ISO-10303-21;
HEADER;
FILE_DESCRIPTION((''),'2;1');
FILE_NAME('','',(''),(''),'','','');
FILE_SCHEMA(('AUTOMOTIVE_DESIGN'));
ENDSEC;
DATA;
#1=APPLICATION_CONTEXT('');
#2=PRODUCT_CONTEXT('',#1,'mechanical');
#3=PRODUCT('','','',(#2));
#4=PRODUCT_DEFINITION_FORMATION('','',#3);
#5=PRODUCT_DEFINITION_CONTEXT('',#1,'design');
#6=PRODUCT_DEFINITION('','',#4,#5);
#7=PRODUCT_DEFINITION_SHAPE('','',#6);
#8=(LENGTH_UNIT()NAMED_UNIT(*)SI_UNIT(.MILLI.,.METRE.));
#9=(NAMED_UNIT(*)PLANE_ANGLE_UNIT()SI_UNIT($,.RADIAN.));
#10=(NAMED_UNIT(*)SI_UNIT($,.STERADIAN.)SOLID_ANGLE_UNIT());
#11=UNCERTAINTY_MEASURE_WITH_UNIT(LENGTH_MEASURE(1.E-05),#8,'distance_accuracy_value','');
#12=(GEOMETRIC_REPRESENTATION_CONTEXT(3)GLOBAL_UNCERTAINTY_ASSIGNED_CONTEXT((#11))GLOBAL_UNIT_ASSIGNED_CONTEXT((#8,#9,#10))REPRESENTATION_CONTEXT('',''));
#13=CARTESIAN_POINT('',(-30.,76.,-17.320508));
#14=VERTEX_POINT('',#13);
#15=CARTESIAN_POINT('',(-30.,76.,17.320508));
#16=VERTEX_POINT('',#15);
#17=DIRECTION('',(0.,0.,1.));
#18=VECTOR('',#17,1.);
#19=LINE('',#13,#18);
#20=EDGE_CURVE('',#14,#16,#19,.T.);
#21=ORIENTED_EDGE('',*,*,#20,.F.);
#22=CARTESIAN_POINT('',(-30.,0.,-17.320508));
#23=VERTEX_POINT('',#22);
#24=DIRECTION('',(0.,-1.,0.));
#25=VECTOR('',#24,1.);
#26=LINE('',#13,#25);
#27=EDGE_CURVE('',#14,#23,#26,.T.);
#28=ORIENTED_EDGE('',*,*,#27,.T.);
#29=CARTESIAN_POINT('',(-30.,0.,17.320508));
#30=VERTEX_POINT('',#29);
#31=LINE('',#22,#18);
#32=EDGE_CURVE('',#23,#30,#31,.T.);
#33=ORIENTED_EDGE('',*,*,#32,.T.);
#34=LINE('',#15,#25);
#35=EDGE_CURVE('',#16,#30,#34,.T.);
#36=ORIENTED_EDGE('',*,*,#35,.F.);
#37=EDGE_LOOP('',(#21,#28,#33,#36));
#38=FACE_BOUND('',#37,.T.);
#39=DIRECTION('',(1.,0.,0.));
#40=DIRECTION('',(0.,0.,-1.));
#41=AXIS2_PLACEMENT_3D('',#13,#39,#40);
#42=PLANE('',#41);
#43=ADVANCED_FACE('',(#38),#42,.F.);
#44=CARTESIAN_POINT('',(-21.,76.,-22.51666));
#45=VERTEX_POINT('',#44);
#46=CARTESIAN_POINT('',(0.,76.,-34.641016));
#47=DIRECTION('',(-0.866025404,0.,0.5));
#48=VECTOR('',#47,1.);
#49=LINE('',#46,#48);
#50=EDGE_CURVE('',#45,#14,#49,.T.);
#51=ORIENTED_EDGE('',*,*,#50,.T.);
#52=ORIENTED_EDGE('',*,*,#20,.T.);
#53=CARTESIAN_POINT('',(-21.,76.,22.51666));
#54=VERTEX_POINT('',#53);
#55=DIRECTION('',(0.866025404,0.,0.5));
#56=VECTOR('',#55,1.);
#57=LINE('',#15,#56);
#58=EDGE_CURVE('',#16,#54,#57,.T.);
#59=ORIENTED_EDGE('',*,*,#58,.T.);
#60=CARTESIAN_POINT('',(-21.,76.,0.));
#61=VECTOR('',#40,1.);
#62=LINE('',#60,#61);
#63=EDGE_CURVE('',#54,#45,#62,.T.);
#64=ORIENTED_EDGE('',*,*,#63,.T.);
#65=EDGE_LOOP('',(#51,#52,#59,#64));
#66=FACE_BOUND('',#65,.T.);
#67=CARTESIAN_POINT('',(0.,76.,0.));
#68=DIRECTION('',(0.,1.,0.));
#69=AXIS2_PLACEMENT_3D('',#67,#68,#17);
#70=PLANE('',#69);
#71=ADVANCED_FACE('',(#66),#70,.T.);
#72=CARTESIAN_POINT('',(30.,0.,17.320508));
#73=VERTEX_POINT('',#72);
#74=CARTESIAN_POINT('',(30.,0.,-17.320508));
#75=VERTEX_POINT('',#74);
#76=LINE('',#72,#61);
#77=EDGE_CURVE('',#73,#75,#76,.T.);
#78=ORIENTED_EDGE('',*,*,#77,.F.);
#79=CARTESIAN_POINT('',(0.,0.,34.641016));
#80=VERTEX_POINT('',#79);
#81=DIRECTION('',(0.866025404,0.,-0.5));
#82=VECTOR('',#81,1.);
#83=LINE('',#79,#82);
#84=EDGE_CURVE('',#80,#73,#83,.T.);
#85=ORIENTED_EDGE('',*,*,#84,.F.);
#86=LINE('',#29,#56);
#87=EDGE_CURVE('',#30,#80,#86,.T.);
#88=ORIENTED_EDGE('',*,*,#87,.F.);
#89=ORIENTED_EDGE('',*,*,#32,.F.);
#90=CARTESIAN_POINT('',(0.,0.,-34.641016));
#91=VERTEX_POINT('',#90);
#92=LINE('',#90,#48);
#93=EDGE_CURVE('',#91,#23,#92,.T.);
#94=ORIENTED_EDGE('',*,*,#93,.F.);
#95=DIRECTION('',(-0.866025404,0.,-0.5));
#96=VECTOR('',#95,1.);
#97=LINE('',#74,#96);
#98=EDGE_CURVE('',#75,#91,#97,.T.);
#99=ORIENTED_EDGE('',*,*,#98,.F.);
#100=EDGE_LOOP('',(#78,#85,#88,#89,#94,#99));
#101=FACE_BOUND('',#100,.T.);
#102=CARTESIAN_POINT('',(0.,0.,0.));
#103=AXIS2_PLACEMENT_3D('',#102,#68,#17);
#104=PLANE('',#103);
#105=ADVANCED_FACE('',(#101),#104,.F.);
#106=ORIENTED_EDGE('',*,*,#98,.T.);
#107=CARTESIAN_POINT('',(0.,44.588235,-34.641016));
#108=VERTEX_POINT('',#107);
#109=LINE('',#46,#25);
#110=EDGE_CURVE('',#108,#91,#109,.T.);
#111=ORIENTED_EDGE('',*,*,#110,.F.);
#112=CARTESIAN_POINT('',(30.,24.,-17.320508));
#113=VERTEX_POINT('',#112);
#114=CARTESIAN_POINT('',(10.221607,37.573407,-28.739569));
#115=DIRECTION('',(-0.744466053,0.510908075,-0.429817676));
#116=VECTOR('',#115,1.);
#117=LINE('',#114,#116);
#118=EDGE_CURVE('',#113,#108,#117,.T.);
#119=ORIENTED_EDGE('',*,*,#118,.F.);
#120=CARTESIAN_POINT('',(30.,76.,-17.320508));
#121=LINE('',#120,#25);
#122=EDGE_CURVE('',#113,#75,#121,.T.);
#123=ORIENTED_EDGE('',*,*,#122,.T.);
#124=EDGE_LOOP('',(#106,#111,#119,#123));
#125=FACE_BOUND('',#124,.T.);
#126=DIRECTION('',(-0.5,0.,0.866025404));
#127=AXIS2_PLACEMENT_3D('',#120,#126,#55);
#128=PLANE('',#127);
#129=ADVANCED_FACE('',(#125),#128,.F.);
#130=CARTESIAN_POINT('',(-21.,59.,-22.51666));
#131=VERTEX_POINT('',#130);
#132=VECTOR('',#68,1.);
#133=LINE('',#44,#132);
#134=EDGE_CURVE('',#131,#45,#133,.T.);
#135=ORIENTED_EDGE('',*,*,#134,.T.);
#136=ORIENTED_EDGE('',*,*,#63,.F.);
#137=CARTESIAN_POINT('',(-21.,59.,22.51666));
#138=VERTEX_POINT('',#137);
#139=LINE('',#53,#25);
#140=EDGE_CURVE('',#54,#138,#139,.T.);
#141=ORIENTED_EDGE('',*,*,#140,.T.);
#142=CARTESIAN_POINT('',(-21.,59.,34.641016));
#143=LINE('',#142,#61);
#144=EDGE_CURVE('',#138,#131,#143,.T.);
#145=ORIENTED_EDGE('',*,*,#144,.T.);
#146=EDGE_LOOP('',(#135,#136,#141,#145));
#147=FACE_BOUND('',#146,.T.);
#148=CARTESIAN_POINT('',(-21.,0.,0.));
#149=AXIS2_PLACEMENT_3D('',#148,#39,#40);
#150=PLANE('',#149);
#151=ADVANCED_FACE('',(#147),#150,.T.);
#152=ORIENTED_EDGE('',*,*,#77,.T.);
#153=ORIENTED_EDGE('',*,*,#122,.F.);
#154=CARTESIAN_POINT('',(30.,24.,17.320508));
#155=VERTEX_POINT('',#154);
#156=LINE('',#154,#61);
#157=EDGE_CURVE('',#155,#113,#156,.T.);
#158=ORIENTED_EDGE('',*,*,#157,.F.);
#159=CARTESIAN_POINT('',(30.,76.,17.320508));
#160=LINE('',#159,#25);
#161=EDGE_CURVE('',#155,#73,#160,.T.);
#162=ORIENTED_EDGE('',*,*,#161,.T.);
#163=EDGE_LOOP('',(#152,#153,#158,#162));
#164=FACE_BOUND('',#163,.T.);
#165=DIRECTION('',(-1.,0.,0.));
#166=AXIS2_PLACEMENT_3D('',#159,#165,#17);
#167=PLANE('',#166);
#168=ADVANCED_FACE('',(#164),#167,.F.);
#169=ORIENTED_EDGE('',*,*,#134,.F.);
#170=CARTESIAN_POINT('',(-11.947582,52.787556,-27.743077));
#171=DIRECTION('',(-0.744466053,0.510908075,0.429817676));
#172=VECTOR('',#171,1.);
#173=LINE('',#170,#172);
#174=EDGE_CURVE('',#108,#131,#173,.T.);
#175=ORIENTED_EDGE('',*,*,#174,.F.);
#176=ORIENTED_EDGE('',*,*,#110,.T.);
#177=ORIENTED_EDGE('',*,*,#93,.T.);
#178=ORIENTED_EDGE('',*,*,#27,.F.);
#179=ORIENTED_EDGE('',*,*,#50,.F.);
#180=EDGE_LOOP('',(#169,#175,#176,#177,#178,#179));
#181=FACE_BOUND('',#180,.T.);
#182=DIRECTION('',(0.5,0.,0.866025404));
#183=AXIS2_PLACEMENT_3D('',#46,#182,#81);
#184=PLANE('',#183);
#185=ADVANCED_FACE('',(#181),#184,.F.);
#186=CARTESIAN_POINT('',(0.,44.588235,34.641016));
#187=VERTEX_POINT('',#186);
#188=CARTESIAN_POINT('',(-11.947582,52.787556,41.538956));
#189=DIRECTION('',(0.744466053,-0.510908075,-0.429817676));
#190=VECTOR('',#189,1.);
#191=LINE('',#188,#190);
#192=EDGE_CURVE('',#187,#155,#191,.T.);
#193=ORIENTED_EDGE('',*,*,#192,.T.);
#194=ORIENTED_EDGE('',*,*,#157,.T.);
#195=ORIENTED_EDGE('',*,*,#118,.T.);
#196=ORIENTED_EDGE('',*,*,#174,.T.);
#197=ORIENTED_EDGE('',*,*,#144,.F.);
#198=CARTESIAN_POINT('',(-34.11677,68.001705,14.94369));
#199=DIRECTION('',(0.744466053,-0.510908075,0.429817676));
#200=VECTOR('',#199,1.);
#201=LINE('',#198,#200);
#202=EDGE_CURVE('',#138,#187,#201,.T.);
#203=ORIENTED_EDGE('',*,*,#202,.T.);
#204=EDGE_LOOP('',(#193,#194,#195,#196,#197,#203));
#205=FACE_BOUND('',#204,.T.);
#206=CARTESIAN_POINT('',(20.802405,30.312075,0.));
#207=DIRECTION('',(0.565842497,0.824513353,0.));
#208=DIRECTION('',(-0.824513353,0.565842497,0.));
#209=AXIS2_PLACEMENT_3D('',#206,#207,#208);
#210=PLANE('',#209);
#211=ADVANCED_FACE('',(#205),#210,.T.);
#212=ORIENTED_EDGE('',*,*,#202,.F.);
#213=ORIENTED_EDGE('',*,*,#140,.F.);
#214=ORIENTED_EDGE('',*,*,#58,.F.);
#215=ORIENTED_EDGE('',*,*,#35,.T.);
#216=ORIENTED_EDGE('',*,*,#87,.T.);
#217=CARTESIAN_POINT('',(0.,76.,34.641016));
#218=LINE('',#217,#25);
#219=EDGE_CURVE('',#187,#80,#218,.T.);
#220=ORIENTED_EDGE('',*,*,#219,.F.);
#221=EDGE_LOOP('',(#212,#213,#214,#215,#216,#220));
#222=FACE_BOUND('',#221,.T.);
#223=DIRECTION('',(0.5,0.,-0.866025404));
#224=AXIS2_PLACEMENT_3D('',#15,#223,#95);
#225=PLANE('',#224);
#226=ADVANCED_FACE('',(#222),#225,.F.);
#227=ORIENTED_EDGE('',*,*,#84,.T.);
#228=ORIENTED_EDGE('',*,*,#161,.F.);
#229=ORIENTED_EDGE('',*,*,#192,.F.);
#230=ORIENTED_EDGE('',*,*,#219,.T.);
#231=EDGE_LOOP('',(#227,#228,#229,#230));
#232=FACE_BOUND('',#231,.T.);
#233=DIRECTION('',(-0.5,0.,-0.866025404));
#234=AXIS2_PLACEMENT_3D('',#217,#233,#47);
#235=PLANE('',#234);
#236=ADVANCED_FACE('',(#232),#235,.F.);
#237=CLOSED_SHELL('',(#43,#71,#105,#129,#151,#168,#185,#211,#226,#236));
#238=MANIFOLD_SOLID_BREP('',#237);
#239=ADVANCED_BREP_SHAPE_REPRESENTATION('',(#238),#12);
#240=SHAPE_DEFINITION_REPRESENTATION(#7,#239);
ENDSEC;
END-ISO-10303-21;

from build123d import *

# Parameters (mm, degrees)
EXTRUDE_2_DEPTH     = 76
SKETCH_5_W          = 69.282032302
SKETCH_5_H          = 17
CUT_EXTRUDE_2_DEPTH = 51
SKETCH_7_W          = 79.816599869
SKETCH_7_H          = 73.41094556
CUT_EXTRUDE_3_DEPTH = 51


with BuildPart() as part:
    # 草图1 → 凸台-拉伸2 (new body)
    with BuildSketch(Plane(origin=(0, 0, 0), x_dir=(1, 0, 0), z_dir=(0, 1, 0))):
        Polygon((0, 34.641016151), (-30, 17.320508076), (-30, -17.320508076), (0, -34.641016151), (30, -17.320508076), (30, 17.320508076), align=None)
    extrude(amount=EXTRUDE_2_DEPTH)

    # 草图5 → 切除-拉伸2 (cut)
    with BuildSketch(Plane(origin=(30, 0, 0), x_dir=(0, 0, -1), z_dir=(1, 0, 0))):
        with Locations((0, 67.5)):
            Rectangle(SKETCH_5_W, SKETCH_5_H)
    extrude(amount=-CUT_EXTRUDE_2_DEPTH, mode=Mode.SUBTRACT)

    # 草图7 → 切除-拉伸3 (cut)
    with BuildSketch(Plane(origin=(20.8024046, 30.312075274, 0), x_dir=(-0.824513353, 0.565842497, 0), z_dir=(-0.565842497, -0.824513353, 0))):
        with Locations((10.791187789, -0.103687776)):
            Rectangle(SKETCH_7_W, SKETCH_7_H)
    extrude(amount=-CUT_EXTRUDE_3_DEPTH, mode=Mode.SUBTRACT)


solid = part.part
